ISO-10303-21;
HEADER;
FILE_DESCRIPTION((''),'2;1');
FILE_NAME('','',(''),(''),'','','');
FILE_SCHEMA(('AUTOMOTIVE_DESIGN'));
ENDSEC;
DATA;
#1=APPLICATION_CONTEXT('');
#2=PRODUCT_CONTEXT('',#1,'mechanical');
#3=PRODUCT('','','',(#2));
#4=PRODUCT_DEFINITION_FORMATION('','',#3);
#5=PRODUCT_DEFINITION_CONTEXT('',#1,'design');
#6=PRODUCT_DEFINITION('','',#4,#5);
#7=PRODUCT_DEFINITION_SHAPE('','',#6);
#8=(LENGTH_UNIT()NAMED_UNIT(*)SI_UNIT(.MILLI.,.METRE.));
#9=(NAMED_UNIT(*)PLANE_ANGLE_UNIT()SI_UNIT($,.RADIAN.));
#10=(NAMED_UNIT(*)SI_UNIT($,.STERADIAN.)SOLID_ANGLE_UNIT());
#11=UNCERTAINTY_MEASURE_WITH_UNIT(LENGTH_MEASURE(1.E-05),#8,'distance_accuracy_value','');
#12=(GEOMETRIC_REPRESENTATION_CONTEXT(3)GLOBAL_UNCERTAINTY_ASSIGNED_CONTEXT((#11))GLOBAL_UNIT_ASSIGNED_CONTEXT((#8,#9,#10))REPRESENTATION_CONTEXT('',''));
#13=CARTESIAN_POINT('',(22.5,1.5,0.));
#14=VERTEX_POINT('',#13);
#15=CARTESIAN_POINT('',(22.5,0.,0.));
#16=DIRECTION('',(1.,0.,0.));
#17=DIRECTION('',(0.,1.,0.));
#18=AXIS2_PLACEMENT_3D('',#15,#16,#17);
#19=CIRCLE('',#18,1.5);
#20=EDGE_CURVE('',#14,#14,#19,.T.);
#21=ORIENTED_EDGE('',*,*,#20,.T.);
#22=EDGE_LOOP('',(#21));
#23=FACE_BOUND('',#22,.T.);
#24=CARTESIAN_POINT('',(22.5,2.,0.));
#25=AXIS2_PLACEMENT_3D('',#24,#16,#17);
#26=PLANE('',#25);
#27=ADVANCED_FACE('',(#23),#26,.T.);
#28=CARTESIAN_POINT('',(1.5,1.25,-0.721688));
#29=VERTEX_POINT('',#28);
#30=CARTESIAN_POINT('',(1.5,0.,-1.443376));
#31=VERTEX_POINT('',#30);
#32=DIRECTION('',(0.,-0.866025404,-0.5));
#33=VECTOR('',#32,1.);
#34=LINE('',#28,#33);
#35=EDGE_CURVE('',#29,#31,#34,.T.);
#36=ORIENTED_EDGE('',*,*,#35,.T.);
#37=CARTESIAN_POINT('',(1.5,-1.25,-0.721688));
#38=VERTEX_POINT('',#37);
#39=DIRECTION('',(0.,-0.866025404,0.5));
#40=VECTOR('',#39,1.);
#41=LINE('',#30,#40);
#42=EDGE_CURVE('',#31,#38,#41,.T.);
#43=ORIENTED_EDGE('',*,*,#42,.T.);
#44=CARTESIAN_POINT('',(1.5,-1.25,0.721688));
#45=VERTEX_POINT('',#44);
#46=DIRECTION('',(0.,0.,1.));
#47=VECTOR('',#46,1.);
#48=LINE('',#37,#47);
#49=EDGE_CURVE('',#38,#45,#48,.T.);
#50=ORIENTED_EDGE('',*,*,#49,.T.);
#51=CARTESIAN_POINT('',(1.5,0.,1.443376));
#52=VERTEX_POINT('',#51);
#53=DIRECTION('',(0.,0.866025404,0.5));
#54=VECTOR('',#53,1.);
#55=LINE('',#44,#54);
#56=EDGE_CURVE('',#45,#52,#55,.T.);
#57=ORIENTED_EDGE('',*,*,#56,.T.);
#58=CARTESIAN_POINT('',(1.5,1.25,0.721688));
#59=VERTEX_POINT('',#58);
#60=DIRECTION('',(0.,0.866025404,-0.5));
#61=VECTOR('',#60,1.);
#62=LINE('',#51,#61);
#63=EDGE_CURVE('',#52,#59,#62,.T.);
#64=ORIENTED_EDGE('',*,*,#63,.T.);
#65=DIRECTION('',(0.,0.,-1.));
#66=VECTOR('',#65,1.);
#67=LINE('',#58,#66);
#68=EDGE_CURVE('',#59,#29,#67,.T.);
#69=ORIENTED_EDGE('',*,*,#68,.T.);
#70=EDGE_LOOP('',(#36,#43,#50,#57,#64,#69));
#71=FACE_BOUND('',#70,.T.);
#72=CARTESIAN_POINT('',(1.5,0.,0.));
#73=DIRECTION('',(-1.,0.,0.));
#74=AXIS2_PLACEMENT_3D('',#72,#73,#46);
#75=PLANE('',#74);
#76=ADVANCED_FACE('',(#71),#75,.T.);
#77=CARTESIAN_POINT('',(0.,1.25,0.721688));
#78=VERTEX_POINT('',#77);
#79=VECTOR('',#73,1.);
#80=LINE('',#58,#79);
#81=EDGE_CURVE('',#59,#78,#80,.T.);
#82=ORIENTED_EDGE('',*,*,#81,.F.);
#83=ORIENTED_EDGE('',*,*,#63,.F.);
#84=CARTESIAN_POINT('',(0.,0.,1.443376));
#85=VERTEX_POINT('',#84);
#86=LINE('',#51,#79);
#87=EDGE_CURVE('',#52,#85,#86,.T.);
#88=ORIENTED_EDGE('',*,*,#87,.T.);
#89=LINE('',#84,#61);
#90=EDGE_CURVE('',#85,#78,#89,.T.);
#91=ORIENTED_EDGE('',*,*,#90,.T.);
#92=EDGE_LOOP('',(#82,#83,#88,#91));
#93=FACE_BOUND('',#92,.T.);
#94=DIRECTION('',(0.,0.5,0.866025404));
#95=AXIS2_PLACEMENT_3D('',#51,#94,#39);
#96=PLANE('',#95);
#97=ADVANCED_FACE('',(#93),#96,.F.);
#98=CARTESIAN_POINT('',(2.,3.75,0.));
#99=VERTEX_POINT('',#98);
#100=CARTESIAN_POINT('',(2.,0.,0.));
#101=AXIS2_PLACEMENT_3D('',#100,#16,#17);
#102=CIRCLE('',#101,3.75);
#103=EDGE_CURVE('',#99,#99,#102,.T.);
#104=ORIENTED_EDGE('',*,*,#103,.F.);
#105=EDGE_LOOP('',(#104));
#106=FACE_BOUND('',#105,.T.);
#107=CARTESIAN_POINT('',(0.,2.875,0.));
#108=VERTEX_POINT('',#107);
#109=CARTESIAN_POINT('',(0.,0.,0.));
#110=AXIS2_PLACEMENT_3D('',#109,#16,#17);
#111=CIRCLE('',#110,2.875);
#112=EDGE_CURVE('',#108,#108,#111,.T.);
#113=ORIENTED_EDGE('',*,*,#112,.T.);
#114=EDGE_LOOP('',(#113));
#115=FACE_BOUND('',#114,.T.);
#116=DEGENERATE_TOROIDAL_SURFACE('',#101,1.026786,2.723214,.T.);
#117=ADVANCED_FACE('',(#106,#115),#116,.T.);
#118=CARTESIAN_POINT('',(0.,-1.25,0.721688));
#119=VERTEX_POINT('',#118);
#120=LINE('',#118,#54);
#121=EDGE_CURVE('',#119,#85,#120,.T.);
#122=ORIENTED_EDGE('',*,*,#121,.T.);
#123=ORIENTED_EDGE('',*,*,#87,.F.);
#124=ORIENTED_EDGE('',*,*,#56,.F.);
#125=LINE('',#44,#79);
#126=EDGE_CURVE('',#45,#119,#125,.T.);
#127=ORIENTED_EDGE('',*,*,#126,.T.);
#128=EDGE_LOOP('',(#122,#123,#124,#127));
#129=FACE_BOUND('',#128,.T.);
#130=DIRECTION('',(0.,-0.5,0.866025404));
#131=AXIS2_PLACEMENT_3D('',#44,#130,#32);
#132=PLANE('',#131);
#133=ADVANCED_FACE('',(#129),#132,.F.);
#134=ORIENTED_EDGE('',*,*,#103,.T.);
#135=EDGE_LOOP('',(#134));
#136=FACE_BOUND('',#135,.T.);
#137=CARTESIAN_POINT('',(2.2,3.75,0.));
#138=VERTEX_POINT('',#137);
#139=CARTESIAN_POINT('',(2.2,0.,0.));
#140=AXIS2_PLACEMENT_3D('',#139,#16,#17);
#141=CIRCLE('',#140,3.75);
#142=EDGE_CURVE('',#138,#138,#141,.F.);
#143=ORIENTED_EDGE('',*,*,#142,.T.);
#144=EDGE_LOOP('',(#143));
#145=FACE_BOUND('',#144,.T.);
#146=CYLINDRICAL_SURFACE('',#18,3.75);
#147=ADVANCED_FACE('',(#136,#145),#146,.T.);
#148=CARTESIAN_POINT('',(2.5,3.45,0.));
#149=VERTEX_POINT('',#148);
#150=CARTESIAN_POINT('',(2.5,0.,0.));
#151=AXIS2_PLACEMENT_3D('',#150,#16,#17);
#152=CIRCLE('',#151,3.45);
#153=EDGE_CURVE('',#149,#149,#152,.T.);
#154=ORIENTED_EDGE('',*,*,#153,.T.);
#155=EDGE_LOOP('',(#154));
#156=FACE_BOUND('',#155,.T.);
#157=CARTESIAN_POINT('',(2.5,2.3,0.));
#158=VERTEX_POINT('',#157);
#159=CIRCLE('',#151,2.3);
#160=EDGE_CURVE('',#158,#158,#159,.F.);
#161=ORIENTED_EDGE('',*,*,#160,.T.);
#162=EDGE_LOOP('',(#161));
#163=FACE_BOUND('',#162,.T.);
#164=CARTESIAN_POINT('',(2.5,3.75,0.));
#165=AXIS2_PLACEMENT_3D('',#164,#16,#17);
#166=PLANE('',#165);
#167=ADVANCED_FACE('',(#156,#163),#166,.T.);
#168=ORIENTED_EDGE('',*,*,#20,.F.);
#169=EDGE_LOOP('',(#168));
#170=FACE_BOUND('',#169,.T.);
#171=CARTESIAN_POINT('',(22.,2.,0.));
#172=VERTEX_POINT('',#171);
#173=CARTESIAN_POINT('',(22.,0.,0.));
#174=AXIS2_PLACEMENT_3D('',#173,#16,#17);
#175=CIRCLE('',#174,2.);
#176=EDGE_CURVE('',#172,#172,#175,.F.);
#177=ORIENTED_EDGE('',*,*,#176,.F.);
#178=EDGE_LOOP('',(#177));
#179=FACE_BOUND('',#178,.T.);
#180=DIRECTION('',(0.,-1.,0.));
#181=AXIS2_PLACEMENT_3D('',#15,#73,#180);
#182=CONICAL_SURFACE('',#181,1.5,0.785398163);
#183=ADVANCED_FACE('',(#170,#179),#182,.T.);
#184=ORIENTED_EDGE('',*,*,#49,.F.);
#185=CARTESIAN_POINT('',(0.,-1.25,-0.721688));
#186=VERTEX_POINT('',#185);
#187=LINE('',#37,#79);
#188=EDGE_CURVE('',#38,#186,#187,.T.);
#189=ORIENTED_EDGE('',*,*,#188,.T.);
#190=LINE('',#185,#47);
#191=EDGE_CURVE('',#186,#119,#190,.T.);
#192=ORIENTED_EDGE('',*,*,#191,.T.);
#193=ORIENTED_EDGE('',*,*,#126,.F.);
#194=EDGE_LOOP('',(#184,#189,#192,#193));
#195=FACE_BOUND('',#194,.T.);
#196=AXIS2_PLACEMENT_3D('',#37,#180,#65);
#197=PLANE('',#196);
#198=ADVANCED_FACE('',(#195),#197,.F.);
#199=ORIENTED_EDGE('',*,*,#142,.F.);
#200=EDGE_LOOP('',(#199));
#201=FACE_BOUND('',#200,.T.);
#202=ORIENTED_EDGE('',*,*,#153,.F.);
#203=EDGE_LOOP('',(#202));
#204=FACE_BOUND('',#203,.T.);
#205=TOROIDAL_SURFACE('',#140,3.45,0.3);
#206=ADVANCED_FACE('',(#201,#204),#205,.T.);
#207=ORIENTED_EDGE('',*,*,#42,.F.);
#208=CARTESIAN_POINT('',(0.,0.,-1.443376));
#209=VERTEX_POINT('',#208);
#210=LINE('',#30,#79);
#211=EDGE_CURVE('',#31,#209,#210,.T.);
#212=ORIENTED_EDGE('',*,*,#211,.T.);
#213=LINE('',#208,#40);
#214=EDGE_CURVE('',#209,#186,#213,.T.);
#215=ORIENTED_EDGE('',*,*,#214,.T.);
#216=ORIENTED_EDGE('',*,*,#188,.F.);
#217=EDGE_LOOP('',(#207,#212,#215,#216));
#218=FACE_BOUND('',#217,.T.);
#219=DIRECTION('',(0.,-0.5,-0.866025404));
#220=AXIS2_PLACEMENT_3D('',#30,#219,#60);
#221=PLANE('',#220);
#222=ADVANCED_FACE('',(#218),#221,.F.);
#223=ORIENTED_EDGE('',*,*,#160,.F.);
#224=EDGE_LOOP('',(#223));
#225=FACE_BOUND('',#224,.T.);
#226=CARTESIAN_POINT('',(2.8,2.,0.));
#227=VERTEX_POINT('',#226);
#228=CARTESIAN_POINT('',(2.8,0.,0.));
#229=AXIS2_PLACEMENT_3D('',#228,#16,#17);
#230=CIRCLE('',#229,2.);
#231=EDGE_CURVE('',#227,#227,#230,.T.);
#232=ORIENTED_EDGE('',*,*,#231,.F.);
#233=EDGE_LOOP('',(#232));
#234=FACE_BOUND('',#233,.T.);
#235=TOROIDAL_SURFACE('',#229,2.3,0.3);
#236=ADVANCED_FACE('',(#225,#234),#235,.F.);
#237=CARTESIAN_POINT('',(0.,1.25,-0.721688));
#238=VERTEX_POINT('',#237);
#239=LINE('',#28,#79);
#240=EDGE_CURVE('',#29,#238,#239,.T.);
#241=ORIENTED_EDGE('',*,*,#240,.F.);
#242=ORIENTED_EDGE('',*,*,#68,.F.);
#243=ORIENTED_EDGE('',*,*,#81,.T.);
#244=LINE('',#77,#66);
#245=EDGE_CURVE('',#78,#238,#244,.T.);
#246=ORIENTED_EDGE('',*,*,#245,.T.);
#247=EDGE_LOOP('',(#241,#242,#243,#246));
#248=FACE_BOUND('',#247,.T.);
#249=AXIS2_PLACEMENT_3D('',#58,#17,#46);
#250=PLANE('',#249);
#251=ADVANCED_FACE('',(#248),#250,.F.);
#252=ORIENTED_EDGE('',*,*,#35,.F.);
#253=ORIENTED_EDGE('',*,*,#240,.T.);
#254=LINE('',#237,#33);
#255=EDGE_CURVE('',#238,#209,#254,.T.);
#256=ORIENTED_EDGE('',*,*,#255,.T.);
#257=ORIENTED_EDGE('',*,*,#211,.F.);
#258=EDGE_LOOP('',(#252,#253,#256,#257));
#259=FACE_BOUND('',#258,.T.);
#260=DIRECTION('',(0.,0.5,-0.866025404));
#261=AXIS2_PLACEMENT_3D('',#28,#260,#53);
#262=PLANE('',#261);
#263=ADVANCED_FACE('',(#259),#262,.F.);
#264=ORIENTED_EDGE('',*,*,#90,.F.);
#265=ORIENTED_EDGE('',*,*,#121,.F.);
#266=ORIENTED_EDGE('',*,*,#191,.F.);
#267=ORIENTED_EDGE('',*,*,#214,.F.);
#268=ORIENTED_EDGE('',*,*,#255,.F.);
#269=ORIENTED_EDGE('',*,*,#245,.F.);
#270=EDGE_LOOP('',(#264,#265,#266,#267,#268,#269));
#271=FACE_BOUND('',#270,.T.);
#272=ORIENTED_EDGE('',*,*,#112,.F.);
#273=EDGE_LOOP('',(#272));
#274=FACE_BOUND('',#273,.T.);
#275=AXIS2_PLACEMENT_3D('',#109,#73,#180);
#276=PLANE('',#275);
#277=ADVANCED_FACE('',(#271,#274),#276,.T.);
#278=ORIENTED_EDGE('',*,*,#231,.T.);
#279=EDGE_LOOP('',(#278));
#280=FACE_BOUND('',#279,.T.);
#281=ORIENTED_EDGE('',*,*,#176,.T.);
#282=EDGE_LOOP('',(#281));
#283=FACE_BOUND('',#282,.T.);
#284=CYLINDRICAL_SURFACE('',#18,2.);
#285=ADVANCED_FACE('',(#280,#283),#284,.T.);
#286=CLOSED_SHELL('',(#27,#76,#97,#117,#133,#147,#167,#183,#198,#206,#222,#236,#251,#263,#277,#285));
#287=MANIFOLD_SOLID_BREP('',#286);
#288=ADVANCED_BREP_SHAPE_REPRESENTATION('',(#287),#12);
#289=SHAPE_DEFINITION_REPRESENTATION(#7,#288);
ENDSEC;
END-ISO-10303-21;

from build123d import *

# Parameters (mm, degrees)
CUT_EXTRUDE_1_DEPTH = 1.5
FILLET_1_R          = 0.3
CHAMFER_1_SIZE      = 0.5


with BuildPart() as part:
    # Эскиз1 → Повернуть1 (revolve)
    with BuildSketch(Plane.XY):
        with BuildLine():
            Line((0, 0), (0, 2.875))
            ThreePointArc((0, 2.875), (0.908484425, 3.521678457), (2, 3.75))
            Line((2, 3.75), (2.5, 3.75))
            Line((2.5, 3.75), (2.5, 2))
            Line((2.5, 2), (22.5, 2))
            Line((22.5, 2), (22.5, 0))
            Line((22.5, 0), (0, 0))
        make_face()
    revolve(axis=Axis((22.5, 0, 0), (-1, 0, 0)))

    # Эскиз2 → Вырез-Вытянуть1 (cut)
    with BuildSketch(Plane.ZY):
        Polygon((0.721687836, 1.25), (-0.721687836, 1.25), (-1.443375673, 0), (-0.721687836, -1.25), (0.721687836, -1.25), (1.443375673, 0), align=None)
    extrude(amount=-CUT_EXTRUDE_1_DEPTH, mode=Mode.SUBTRACT)

    # Скругление1
    fillet_1_edges = [part.edges().sort_by_distance(p)[0] for p in [
        (2.5, -2, 0),
        (2.5, -3.75, 0),
    ]]
    fillet(fillet_1_edges, radius=FILLET_1_R)

    # Фаска1
    chamfer_1_edges = [part.edges().sort_by_distance(p)[0] for p in [
        (22.5, -2, 0),
    ]]
    chamfer(chamfer_1_edges, length=CHAMFER_1_SIZE)


solid = part.part
